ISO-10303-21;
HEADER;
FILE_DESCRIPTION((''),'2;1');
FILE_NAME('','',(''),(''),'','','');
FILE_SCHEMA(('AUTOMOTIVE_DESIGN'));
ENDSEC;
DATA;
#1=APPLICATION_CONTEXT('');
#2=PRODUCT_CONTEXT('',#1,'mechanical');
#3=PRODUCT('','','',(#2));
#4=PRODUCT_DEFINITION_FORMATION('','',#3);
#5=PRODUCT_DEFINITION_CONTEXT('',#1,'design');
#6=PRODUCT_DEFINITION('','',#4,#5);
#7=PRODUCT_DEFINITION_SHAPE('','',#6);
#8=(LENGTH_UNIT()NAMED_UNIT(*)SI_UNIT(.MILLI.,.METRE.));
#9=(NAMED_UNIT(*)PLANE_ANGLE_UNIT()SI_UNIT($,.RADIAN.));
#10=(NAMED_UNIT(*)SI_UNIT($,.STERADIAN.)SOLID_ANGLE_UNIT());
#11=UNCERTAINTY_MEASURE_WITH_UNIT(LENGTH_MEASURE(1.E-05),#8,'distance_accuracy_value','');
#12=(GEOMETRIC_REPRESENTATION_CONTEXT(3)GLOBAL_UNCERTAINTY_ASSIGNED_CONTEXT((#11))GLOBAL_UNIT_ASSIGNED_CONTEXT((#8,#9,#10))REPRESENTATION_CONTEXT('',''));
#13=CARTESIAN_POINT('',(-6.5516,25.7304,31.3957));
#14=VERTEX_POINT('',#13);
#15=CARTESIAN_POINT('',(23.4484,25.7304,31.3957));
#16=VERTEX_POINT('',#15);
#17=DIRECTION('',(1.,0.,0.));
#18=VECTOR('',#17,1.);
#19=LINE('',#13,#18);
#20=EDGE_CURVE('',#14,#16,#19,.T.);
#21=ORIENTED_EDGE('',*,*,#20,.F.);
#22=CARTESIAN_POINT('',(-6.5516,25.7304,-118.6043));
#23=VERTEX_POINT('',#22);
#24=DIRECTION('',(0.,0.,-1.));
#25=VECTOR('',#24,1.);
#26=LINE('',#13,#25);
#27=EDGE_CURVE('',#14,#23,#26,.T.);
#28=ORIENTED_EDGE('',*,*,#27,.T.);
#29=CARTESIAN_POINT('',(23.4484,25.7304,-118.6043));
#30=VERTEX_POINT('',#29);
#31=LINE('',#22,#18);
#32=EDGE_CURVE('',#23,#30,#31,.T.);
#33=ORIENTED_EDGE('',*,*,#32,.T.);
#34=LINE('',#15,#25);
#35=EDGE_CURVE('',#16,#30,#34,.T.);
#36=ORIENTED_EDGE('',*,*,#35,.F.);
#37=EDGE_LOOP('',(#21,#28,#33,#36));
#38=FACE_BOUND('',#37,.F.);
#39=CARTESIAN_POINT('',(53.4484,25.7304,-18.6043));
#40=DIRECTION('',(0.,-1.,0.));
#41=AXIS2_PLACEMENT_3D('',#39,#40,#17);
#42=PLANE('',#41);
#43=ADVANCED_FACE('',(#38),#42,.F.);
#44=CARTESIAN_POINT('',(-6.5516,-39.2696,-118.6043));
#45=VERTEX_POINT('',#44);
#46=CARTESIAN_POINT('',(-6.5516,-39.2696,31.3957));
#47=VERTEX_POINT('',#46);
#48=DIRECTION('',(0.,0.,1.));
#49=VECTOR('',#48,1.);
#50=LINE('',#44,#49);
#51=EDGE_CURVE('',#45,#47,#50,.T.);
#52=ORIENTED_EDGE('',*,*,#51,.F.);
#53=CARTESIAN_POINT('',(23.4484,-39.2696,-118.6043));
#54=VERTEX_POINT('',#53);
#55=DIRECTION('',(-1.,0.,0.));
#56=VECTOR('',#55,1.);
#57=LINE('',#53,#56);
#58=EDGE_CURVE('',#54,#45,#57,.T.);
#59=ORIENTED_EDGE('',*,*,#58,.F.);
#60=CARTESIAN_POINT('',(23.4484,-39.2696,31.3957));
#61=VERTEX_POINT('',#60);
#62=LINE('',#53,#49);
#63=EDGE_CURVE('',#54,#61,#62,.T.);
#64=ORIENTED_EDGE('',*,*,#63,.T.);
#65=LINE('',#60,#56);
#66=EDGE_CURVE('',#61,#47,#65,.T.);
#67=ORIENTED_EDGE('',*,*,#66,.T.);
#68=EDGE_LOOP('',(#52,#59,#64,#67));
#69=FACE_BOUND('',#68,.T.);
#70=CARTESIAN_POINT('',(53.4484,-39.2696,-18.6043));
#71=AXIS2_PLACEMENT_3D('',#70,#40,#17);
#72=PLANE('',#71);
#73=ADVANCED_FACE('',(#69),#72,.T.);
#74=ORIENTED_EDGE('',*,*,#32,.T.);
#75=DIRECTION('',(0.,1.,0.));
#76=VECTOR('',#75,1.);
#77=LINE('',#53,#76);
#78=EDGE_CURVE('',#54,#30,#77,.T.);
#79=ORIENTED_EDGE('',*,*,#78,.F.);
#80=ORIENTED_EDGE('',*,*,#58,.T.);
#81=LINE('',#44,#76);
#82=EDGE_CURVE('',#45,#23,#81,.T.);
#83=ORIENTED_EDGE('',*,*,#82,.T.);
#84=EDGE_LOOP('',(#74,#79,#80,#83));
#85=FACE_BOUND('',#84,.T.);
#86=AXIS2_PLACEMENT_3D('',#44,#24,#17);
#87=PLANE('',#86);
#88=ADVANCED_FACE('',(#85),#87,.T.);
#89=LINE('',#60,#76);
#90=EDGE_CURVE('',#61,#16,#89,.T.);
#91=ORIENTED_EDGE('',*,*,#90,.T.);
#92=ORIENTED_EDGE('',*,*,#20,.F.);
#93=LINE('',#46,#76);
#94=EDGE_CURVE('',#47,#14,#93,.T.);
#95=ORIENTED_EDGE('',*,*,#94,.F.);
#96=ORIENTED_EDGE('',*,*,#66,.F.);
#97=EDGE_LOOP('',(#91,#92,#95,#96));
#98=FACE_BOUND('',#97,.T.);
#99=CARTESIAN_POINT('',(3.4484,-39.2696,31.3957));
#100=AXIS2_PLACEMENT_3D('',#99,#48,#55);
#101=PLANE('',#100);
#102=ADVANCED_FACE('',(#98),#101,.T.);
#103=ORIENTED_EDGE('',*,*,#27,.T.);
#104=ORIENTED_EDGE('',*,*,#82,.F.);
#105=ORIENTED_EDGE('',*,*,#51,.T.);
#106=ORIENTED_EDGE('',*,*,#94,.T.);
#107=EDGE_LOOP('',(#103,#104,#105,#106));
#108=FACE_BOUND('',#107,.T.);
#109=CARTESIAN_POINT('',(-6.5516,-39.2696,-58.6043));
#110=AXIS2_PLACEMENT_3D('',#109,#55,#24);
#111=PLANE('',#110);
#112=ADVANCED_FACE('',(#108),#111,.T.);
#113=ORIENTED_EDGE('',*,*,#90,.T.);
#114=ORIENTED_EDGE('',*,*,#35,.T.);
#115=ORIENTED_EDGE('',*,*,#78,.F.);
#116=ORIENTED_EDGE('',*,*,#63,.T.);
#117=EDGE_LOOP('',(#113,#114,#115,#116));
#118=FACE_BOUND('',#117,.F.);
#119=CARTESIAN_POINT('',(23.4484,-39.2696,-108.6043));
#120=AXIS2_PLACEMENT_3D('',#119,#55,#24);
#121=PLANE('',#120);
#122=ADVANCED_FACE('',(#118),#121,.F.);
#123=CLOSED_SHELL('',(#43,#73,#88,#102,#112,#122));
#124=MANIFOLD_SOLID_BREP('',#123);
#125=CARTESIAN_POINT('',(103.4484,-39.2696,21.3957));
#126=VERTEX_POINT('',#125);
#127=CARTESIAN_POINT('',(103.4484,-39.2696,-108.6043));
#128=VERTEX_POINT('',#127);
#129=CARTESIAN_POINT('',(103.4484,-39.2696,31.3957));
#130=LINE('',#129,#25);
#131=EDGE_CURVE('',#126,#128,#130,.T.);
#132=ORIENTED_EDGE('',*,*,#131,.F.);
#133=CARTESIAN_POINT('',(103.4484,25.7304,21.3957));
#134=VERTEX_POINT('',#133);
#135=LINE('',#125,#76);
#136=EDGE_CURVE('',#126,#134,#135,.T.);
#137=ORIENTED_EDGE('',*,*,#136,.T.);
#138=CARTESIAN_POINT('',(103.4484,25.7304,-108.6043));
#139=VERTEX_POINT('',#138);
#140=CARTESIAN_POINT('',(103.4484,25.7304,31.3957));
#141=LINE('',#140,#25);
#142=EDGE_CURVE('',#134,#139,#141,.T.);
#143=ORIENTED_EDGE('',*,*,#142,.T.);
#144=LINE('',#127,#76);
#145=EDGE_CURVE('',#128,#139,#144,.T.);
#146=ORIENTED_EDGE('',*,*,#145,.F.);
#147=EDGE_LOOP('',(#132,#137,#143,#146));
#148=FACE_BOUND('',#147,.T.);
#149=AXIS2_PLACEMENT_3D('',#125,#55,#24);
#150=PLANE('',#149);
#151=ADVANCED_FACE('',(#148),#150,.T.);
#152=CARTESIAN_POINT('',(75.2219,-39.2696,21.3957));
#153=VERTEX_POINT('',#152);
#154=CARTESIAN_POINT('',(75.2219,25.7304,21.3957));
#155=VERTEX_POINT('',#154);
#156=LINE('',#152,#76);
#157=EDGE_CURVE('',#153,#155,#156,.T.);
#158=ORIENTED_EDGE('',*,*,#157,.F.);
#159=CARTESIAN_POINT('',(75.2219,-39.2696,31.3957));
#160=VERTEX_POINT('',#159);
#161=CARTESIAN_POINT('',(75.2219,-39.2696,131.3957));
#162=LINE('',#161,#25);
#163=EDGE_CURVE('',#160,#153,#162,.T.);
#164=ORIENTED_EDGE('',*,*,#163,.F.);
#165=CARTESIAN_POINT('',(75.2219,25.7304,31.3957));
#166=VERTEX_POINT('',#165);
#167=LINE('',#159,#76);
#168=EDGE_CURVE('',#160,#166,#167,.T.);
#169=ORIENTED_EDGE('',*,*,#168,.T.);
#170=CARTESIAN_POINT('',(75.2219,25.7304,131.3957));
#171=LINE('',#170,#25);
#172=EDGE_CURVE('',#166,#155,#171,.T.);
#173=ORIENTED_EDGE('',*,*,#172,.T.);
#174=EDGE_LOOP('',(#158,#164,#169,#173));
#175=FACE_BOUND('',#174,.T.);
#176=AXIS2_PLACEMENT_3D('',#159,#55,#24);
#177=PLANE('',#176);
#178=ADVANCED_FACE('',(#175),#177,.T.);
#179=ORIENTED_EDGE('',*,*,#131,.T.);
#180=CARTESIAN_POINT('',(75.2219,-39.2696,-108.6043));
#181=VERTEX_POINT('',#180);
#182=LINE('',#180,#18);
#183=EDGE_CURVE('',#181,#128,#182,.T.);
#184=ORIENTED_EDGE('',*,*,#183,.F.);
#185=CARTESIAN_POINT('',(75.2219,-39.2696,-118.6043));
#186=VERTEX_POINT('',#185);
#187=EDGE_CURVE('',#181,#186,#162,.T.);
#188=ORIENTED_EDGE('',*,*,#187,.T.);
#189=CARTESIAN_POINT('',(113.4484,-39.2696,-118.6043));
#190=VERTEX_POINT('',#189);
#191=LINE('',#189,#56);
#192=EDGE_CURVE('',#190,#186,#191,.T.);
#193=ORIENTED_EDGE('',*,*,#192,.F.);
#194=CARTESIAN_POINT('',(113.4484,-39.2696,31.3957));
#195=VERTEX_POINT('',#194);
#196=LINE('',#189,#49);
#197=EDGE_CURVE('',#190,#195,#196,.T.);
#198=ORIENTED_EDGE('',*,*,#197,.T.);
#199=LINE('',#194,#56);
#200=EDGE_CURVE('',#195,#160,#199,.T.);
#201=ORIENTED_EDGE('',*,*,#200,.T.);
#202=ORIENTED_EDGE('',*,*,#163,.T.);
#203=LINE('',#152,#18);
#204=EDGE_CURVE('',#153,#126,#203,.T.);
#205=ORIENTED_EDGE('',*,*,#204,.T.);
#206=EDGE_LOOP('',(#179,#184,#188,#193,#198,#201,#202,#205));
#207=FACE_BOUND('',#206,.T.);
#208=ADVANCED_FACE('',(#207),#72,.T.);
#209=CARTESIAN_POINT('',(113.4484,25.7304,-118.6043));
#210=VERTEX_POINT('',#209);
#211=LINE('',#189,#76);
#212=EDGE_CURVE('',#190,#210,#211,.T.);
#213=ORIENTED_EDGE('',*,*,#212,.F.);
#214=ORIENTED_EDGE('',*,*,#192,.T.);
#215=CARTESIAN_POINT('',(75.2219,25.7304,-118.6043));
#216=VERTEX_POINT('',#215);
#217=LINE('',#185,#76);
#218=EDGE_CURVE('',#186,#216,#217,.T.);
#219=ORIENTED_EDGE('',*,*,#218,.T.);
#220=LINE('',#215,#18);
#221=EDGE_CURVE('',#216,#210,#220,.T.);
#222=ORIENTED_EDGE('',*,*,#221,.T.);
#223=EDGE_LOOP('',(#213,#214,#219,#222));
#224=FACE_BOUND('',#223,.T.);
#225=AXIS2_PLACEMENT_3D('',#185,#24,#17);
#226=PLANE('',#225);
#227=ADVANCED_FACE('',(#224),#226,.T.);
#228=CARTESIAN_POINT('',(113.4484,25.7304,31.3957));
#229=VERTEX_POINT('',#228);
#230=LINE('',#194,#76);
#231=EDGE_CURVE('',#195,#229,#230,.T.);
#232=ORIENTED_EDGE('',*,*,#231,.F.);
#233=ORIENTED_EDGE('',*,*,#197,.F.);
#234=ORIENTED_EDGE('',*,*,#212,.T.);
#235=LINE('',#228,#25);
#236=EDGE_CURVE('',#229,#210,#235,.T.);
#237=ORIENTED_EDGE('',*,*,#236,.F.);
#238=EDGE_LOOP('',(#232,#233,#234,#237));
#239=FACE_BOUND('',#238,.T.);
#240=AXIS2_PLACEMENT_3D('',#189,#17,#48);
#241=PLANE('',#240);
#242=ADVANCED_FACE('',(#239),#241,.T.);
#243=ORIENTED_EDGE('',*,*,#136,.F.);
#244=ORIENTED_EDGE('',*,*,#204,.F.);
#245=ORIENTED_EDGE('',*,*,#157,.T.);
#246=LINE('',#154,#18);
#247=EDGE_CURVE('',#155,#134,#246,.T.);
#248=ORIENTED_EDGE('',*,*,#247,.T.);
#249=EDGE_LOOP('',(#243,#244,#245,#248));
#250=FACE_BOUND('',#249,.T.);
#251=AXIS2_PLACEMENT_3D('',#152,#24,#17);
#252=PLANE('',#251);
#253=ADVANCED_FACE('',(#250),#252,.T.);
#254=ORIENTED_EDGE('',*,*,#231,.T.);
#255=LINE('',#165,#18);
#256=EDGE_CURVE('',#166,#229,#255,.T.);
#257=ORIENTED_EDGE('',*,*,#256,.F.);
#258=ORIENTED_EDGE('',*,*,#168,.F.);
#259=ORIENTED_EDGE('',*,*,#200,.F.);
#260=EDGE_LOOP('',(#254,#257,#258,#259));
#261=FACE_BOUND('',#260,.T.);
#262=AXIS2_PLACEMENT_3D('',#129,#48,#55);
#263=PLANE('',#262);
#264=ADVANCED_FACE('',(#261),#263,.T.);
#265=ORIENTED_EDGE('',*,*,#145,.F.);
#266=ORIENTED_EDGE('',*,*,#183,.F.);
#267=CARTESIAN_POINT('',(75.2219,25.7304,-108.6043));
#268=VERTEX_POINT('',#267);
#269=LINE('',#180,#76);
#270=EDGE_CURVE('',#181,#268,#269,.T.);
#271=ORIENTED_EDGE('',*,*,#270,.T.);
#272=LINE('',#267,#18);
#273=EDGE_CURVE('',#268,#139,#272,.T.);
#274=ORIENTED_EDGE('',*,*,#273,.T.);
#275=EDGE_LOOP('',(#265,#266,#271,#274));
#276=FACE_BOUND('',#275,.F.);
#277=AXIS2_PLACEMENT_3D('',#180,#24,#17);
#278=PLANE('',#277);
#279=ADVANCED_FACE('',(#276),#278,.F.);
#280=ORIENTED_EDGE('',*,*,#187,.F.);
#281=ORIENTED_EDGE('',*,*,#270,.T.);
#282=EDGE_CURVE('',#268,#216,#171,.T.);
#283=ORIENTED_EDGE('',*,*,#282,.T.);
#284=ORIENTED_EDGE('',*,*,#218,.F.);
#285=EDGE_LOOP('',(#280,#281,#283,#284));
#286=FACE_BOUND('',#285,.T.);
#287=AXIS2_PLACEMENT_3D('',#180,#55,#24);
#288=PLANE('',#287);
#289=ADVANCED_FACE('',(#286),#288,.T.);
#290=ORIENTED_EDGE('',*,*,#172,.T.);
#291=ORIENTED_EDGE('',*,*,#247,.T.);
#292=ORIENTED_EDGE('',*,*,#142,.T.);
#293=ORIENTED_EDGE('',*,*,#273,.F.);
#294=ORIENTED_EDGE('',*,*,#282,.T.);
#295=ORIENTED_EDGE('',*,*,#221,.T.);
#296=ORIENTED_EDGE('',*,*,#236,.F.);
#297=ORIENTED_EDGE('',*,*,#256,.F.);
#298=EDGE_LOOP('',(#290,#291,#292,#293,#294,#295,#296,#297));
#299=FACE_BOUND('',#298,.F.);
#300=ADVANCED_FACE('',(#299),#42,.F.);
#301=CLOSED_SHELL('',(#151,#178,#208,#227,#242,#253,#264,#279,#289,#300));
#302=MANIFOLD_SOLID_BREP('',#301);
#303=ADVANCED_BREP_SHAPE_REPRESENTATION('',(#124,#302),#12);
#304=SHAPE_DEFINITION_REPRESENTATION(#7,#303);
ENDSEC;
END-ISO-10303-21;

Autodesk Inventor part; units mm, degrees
ref_plane "YZ Plane" through (0, 0, 0) normal (1, 0, 0) x (0, 1, 0)
ref_plane "XZ Plane" through (0, 0, 0) normal (0, 1, 0) x (-1, 0, 0)
ref_plane "XY Plane" through (0, 0, 0) normal (0, 0, 1) x (1, 0, 0)
ref_plane "Work Plane1" through (53.4484, -39.2696, -18.6043) normal (0, -1, 0) x (1, 0, 0)
sketch "Sketch1" plane through (53.4484, -39.2696, -18.6043) normal (0, -1, 0) x (1, 0, 0)
  line L0 (-60, -100) -> (60, -100)
  line L1 (60, -100) -> (60, 50)
  line L2 (60, 50) -> (-60, 50)
  line L3 (-60, 50) -> (-60, -100)
  line L4 (-60, -100) -> (60, 50) construction
  line L5 (60, -100) -> (-60, 50) construction
  line L6 (60, 50) -> (50, 50)
  line L7 (50, 50) -> (50, -100)
  line L8 (50, -100) -> (60, -100)
  line L9 (60, -100) -> (60, 50)
  line L10 (-60, -100) -> (-50, -100)
  line L11 (-50, -100) -> (-50, 50)
  line L12 (-50, 50) -> (-60, 50)
  line L13 (-60, 50) -> (-60, -100)
  line L14 (-30, 150) -> (-30, -150) projected
  line L15 (21.7735, 150) -> (21.7735, -150) projected
  line L16 (60, 50) -> (21.7735, 50)
  line L17 (21.7735, 50) -> (21.7735, 40)
  line L18 (21.7735, 40) -> (60, 40)
  line L19 (60, 40) -> (60, 50)
  line L20 (60, -100) -> (21.7735, -100)
  line L21 (21.7735, -100) -> (21.7735, -90)
  line L22 (21.7735, -90) -> (60, -90)
  line L23 (60, -90) -> (60, -100)
  line L24 (-60, 50) -> (-30, 50)
  line L25 (-30, 50) -> (-30, 40)
  line L26 (-30, 40) -> (-60, 40)
  line L27 (-60, 40) -> (-60, 50)
  line L28 (-60, -100) -> (-30, -100)
  line L29 (-30, -100) -> (-30, -90)
  line L30 (-60, -40) -> (-60, -100)
  line L31 (-30, 150) -> (-30, -150) projected
  line L32 (-60, -40) -> (-30, -40)
  line L33 (-30, -100) -> (-30, -40)
  line L34 (-30, 50) -> (-30, 40)
  point P0 (-53.4484, 18.6043)
  point P1 (0, -25)
  point P2 (-50, 40)
  point P3 (-30, 50)
  point P4 (50, 40)
  point P5 (50, -90)
  point P6 (21.7735, -100)
  point P7 (21.7735, 50)
  point P8 (0, -25)
  dimension "d0" = 120
  dimension "d1" = 150
  dimension "d2" = 10
  dimension "d3" = 10
  dimension "d4" = 10
  dimension "d5" = 10
  dimension "d6" = 10
  dimension "d7" = 10
  dimension "d13" = 75
  dimension "d14" = 0
extrude "Extrusion1" add sketch "Sketch1" against normal blind 65 contours L3 L32 L11 L0 | L11 L32 L14 L0 | L3 L26 L11 L32 | L11 L26 L14 L32 | L3 L2 L11 L26 | L15 L22 L7 L0 | L11 L2 L14 L26 | L7 L22 L1 L0 | L7 L18 L1 L22 | L15 L2 L7 L18 | L7 L2 L1 L18
sketch "Sketch2" plane through (103.4484, -39.2696, -108.6043) normal (-1, 0, 0) x (0, 0, 1)
  line L0 (0, 65) -> (130, 65) projected
  line L1 (130, 0) -> (130, 65) projected
  line L2 (0, 65) -> (130, 65)
  line L3 (130, 65) -> (130, 55)
  line L4 (130, 55) -> (0, 55)
  line L5 (0, 55) -> (0, 65)
  point P0 (108.6043, 39.2696)
  dimension "d10" = 10
extrude "Extrusion2" [suppressed]
sketch "Sketch3" plane through (53.4484, 25.7304, -18.6043) normal (0, 1, 0) x (1, 0, 0)
  point P0 (-53.4484, -18.6043)
sketch "Sketch4" plane through (53.4484, 25.7304, -18.6043) normal (0, 1, 0) x (1, 0, 0)
  point P0 (-53.4484, -18.6043)
properties part number "end_effector_clamp"
